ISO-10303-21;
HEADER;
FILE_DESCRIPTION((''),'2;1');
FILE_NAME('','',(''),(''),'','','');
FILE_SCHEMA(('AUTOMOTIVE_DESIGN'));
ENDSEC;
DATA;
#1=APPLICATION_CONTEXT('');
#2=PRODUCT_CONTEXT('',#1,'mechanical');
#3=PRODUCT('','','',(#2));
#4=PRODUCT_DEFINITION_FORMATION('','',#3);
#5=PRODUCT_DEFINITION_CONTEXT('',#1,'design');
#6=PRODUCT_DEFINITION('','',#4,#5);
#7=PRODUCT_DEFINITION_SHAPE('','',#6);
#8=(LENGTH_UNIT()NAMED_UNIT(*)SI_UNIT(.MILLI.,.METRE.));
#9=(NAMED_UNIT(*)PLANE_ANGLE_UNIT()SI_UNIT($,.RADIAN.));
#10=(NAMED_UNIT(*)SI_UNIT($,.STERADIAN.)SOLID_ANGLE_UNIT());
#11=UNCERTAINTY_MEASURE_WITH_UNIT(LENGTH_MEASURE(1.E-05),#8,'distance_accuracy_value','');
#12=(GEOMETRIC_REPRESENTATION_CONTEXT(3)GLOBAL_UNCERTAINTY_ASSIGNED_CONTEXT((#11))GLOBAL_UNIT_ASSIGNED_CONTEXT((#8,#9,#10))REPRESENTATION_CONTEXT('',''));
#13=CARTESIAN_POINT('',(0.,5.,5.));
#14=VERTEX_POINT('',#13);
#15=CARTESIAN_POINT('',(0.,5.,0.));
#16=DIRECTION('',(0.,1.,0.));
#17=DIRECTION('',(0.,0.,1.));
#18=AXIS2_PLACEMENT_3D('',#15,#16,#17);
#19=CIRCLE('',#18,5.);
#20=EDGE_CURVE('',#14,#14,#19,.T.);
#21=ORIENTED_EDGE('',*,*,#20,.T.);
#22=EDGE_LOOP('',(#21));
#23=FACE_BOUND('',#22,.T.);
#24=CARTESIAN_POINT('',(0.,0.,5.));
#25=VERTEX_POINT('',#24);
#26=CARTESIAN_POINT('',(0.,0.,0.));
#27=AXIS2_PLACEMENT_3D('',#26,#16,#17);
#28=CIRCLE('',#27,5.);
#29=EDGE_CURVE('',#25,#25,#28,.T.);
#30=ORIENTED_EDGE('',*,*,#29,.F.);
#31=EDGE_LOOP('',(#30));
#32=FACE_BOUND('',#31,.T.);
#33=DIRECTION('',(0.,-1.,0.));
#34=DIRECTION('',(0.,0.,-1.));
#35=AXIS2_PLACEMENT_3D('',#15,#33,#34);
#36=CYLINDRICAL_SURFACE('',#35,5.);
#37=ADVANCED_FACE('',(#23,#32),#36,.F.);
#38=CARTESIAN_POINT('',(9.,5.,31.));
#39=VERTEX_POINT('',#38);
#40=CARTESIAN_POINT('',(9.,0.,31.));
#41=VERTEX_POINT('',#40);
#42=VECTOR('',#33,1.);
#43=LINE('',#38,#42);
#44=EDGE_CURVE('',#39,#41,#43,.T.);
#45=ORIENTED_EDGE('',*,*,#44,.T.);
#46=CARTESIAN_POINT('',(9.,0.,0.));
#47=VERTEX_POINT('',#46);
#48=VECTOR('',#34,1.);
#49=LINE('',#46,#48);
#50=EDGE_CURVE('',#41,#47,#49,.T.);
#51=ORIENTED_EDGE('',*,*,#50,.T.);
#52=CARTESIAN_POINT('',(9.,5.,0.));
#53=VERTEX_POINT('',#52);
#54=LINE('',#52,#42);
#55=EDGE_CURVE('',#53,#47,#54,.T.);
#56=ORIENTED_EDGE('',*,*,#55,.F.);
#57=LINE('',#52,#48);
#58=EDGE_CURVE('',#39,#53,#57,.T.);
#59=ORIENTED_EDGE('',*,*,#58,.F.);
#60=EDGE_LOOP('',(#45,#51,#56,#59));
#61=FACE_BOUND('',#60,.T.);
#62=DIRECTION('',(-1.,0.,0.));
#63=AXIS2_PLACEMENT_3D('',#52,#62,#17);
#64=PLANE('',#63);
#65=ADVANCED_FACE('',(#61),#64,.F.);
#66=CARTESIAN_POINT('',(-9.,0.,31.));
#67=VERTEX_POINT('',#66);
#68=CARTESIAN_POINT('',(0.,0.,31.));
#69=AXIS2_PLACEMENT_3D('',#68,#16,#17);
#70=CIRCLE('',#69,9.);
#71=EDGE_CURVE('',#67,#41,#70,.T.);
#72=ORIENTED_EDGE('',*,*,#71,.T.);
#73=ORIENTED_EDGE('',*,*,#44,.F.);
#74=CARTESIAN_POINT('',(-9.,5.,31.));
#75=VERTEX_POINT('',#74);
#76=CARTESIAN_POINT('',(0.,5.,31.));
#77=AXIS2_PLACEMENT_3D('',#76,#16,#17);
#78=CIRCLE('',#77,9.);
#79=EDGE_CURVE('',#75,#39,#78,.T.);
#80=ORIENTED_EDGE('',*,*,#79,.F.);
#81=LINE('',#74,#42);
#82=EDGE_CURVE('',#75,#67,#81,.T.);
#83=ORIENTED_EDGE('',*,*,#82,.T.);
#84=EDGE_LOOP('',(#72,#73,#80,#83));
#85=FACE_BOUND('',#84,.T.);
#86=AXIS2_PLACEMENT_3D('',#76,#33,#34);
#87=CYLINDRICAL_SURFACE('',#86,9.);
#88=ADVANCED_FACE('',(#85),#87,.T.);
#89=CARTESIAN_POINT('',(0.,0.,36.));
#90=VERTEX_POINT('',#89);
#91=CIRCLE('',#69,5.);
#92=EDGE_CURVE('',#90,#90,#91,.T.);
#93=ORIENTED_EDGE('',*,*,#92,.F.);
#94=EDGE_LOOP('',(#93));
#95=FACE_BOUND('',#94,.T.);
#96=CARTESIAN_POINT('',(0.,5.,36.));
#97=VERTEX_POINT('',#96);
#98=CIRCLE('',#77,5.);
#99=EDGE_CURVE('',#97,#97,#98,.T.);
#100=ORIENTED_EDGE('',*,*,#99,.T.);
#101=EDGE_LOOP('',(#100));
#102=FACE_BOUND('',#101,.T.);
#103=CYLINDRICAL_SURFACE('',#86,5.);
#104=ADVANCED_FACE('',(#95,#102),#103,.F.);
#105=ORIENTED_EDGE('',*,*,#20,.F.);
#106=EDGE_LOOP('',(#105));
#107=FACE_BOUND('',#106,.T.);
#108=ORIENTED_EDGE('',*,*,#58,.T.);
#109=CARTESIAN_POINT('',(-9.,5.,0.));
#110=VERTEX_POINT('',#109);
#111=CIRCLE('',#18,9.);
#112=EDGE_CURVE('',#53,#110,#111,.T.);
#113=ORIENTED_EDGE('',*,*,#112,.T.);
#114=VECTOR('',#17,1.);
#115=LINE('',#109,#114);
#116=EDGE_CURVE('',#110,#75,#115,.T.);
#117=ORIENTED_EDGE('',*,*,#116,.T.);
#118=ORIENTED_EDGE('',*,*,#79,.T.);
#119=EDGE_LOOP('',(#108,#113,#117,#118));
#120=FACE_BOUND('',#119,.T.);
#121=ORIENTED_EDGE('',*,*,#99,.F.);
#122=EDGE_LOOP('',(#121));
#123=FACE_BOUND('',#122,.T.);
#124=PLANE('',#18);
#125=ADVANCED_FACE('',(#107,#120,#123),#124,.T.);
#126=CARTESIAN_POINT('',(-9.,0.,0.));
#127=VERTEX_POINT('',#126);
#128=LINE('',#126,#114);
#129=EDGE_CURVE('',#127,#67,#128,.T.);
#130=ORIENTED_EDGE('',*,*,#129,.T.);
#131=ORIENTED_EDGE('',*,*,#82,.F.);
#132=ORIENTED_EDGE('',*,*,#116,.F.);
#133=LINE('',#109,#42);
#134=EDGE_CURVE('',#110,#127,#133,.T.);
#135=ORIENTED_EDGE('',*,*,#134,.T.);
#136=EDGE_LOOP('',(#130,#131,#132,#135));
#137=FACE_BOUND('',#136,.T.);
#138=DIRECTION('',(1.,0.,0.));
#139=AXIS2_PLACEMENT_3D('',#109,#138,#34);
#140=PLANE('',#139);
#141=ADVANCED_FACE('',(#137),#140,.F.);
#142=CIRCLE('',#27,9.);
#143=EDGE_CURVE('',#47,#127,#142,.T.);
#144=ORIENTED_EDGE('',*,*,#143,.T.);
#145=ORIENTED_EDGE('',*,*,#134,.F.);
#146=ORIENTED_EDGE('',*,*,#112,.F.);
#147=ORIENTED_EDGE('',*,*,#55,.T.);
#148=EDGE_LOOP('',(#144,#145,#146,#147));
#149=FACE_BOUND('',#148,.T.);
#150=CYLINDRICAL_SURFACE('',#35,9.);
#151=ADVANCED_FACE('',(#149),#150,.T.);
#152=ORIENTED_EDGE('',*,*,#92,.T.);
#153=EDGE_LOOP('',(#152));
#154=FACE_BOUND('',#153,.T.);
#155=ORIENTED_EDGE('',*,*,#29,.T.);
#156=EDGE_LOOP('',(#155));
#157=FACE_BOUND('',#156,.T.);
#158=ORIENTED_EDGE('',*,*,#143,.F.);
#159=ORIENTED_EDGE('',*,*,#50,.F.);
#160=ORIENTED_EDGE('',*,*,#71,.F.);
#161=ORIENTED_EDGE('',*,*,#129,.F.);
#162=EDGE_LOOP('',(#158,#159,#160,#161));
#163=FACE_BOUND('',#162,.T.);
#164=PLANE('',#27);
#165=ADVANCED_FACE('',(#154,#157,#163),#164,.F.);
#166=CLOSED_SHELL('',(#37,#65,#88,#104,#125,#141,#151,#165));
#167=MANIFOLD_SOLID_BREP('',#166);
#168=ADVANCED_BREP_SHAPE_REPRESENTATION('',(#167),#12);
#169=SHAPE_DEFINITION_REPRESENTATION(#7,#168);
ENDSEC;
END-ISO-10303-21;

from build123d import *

# Parameters (mm, degrees)
SKETCH1_R           = 5
BOSS_EXTRUDE1_DEPTH = 5


with BuildPart() as part:
    # Sketch1 → Boss-Extrude1 (new body)
    with BuildSketch(Plane(origin=(0, 0, 0), x_dir=(1, 0, 0), z_dir=(0, 1, 0))):
        with BuildLine():
            Line((9, 0), (9, -31))
            ThreePointArc((9, -31), (0, -40), (-9, -31))
            Line((-9, -31), (-9, 0))
            ThreePointArc((-9, 0), (0, 9), (9, 0))
        make_face()
        Circle(SKETCH1_R, mode=Mode.SUBTRACT)
        with Locations((0, -31)):
            Circle(SKETCH1_R, mode=Mode.SUBTRACT)
    extrude(amount=BOSS_EXTRUDE1_DEPTH)


solid = part.part
